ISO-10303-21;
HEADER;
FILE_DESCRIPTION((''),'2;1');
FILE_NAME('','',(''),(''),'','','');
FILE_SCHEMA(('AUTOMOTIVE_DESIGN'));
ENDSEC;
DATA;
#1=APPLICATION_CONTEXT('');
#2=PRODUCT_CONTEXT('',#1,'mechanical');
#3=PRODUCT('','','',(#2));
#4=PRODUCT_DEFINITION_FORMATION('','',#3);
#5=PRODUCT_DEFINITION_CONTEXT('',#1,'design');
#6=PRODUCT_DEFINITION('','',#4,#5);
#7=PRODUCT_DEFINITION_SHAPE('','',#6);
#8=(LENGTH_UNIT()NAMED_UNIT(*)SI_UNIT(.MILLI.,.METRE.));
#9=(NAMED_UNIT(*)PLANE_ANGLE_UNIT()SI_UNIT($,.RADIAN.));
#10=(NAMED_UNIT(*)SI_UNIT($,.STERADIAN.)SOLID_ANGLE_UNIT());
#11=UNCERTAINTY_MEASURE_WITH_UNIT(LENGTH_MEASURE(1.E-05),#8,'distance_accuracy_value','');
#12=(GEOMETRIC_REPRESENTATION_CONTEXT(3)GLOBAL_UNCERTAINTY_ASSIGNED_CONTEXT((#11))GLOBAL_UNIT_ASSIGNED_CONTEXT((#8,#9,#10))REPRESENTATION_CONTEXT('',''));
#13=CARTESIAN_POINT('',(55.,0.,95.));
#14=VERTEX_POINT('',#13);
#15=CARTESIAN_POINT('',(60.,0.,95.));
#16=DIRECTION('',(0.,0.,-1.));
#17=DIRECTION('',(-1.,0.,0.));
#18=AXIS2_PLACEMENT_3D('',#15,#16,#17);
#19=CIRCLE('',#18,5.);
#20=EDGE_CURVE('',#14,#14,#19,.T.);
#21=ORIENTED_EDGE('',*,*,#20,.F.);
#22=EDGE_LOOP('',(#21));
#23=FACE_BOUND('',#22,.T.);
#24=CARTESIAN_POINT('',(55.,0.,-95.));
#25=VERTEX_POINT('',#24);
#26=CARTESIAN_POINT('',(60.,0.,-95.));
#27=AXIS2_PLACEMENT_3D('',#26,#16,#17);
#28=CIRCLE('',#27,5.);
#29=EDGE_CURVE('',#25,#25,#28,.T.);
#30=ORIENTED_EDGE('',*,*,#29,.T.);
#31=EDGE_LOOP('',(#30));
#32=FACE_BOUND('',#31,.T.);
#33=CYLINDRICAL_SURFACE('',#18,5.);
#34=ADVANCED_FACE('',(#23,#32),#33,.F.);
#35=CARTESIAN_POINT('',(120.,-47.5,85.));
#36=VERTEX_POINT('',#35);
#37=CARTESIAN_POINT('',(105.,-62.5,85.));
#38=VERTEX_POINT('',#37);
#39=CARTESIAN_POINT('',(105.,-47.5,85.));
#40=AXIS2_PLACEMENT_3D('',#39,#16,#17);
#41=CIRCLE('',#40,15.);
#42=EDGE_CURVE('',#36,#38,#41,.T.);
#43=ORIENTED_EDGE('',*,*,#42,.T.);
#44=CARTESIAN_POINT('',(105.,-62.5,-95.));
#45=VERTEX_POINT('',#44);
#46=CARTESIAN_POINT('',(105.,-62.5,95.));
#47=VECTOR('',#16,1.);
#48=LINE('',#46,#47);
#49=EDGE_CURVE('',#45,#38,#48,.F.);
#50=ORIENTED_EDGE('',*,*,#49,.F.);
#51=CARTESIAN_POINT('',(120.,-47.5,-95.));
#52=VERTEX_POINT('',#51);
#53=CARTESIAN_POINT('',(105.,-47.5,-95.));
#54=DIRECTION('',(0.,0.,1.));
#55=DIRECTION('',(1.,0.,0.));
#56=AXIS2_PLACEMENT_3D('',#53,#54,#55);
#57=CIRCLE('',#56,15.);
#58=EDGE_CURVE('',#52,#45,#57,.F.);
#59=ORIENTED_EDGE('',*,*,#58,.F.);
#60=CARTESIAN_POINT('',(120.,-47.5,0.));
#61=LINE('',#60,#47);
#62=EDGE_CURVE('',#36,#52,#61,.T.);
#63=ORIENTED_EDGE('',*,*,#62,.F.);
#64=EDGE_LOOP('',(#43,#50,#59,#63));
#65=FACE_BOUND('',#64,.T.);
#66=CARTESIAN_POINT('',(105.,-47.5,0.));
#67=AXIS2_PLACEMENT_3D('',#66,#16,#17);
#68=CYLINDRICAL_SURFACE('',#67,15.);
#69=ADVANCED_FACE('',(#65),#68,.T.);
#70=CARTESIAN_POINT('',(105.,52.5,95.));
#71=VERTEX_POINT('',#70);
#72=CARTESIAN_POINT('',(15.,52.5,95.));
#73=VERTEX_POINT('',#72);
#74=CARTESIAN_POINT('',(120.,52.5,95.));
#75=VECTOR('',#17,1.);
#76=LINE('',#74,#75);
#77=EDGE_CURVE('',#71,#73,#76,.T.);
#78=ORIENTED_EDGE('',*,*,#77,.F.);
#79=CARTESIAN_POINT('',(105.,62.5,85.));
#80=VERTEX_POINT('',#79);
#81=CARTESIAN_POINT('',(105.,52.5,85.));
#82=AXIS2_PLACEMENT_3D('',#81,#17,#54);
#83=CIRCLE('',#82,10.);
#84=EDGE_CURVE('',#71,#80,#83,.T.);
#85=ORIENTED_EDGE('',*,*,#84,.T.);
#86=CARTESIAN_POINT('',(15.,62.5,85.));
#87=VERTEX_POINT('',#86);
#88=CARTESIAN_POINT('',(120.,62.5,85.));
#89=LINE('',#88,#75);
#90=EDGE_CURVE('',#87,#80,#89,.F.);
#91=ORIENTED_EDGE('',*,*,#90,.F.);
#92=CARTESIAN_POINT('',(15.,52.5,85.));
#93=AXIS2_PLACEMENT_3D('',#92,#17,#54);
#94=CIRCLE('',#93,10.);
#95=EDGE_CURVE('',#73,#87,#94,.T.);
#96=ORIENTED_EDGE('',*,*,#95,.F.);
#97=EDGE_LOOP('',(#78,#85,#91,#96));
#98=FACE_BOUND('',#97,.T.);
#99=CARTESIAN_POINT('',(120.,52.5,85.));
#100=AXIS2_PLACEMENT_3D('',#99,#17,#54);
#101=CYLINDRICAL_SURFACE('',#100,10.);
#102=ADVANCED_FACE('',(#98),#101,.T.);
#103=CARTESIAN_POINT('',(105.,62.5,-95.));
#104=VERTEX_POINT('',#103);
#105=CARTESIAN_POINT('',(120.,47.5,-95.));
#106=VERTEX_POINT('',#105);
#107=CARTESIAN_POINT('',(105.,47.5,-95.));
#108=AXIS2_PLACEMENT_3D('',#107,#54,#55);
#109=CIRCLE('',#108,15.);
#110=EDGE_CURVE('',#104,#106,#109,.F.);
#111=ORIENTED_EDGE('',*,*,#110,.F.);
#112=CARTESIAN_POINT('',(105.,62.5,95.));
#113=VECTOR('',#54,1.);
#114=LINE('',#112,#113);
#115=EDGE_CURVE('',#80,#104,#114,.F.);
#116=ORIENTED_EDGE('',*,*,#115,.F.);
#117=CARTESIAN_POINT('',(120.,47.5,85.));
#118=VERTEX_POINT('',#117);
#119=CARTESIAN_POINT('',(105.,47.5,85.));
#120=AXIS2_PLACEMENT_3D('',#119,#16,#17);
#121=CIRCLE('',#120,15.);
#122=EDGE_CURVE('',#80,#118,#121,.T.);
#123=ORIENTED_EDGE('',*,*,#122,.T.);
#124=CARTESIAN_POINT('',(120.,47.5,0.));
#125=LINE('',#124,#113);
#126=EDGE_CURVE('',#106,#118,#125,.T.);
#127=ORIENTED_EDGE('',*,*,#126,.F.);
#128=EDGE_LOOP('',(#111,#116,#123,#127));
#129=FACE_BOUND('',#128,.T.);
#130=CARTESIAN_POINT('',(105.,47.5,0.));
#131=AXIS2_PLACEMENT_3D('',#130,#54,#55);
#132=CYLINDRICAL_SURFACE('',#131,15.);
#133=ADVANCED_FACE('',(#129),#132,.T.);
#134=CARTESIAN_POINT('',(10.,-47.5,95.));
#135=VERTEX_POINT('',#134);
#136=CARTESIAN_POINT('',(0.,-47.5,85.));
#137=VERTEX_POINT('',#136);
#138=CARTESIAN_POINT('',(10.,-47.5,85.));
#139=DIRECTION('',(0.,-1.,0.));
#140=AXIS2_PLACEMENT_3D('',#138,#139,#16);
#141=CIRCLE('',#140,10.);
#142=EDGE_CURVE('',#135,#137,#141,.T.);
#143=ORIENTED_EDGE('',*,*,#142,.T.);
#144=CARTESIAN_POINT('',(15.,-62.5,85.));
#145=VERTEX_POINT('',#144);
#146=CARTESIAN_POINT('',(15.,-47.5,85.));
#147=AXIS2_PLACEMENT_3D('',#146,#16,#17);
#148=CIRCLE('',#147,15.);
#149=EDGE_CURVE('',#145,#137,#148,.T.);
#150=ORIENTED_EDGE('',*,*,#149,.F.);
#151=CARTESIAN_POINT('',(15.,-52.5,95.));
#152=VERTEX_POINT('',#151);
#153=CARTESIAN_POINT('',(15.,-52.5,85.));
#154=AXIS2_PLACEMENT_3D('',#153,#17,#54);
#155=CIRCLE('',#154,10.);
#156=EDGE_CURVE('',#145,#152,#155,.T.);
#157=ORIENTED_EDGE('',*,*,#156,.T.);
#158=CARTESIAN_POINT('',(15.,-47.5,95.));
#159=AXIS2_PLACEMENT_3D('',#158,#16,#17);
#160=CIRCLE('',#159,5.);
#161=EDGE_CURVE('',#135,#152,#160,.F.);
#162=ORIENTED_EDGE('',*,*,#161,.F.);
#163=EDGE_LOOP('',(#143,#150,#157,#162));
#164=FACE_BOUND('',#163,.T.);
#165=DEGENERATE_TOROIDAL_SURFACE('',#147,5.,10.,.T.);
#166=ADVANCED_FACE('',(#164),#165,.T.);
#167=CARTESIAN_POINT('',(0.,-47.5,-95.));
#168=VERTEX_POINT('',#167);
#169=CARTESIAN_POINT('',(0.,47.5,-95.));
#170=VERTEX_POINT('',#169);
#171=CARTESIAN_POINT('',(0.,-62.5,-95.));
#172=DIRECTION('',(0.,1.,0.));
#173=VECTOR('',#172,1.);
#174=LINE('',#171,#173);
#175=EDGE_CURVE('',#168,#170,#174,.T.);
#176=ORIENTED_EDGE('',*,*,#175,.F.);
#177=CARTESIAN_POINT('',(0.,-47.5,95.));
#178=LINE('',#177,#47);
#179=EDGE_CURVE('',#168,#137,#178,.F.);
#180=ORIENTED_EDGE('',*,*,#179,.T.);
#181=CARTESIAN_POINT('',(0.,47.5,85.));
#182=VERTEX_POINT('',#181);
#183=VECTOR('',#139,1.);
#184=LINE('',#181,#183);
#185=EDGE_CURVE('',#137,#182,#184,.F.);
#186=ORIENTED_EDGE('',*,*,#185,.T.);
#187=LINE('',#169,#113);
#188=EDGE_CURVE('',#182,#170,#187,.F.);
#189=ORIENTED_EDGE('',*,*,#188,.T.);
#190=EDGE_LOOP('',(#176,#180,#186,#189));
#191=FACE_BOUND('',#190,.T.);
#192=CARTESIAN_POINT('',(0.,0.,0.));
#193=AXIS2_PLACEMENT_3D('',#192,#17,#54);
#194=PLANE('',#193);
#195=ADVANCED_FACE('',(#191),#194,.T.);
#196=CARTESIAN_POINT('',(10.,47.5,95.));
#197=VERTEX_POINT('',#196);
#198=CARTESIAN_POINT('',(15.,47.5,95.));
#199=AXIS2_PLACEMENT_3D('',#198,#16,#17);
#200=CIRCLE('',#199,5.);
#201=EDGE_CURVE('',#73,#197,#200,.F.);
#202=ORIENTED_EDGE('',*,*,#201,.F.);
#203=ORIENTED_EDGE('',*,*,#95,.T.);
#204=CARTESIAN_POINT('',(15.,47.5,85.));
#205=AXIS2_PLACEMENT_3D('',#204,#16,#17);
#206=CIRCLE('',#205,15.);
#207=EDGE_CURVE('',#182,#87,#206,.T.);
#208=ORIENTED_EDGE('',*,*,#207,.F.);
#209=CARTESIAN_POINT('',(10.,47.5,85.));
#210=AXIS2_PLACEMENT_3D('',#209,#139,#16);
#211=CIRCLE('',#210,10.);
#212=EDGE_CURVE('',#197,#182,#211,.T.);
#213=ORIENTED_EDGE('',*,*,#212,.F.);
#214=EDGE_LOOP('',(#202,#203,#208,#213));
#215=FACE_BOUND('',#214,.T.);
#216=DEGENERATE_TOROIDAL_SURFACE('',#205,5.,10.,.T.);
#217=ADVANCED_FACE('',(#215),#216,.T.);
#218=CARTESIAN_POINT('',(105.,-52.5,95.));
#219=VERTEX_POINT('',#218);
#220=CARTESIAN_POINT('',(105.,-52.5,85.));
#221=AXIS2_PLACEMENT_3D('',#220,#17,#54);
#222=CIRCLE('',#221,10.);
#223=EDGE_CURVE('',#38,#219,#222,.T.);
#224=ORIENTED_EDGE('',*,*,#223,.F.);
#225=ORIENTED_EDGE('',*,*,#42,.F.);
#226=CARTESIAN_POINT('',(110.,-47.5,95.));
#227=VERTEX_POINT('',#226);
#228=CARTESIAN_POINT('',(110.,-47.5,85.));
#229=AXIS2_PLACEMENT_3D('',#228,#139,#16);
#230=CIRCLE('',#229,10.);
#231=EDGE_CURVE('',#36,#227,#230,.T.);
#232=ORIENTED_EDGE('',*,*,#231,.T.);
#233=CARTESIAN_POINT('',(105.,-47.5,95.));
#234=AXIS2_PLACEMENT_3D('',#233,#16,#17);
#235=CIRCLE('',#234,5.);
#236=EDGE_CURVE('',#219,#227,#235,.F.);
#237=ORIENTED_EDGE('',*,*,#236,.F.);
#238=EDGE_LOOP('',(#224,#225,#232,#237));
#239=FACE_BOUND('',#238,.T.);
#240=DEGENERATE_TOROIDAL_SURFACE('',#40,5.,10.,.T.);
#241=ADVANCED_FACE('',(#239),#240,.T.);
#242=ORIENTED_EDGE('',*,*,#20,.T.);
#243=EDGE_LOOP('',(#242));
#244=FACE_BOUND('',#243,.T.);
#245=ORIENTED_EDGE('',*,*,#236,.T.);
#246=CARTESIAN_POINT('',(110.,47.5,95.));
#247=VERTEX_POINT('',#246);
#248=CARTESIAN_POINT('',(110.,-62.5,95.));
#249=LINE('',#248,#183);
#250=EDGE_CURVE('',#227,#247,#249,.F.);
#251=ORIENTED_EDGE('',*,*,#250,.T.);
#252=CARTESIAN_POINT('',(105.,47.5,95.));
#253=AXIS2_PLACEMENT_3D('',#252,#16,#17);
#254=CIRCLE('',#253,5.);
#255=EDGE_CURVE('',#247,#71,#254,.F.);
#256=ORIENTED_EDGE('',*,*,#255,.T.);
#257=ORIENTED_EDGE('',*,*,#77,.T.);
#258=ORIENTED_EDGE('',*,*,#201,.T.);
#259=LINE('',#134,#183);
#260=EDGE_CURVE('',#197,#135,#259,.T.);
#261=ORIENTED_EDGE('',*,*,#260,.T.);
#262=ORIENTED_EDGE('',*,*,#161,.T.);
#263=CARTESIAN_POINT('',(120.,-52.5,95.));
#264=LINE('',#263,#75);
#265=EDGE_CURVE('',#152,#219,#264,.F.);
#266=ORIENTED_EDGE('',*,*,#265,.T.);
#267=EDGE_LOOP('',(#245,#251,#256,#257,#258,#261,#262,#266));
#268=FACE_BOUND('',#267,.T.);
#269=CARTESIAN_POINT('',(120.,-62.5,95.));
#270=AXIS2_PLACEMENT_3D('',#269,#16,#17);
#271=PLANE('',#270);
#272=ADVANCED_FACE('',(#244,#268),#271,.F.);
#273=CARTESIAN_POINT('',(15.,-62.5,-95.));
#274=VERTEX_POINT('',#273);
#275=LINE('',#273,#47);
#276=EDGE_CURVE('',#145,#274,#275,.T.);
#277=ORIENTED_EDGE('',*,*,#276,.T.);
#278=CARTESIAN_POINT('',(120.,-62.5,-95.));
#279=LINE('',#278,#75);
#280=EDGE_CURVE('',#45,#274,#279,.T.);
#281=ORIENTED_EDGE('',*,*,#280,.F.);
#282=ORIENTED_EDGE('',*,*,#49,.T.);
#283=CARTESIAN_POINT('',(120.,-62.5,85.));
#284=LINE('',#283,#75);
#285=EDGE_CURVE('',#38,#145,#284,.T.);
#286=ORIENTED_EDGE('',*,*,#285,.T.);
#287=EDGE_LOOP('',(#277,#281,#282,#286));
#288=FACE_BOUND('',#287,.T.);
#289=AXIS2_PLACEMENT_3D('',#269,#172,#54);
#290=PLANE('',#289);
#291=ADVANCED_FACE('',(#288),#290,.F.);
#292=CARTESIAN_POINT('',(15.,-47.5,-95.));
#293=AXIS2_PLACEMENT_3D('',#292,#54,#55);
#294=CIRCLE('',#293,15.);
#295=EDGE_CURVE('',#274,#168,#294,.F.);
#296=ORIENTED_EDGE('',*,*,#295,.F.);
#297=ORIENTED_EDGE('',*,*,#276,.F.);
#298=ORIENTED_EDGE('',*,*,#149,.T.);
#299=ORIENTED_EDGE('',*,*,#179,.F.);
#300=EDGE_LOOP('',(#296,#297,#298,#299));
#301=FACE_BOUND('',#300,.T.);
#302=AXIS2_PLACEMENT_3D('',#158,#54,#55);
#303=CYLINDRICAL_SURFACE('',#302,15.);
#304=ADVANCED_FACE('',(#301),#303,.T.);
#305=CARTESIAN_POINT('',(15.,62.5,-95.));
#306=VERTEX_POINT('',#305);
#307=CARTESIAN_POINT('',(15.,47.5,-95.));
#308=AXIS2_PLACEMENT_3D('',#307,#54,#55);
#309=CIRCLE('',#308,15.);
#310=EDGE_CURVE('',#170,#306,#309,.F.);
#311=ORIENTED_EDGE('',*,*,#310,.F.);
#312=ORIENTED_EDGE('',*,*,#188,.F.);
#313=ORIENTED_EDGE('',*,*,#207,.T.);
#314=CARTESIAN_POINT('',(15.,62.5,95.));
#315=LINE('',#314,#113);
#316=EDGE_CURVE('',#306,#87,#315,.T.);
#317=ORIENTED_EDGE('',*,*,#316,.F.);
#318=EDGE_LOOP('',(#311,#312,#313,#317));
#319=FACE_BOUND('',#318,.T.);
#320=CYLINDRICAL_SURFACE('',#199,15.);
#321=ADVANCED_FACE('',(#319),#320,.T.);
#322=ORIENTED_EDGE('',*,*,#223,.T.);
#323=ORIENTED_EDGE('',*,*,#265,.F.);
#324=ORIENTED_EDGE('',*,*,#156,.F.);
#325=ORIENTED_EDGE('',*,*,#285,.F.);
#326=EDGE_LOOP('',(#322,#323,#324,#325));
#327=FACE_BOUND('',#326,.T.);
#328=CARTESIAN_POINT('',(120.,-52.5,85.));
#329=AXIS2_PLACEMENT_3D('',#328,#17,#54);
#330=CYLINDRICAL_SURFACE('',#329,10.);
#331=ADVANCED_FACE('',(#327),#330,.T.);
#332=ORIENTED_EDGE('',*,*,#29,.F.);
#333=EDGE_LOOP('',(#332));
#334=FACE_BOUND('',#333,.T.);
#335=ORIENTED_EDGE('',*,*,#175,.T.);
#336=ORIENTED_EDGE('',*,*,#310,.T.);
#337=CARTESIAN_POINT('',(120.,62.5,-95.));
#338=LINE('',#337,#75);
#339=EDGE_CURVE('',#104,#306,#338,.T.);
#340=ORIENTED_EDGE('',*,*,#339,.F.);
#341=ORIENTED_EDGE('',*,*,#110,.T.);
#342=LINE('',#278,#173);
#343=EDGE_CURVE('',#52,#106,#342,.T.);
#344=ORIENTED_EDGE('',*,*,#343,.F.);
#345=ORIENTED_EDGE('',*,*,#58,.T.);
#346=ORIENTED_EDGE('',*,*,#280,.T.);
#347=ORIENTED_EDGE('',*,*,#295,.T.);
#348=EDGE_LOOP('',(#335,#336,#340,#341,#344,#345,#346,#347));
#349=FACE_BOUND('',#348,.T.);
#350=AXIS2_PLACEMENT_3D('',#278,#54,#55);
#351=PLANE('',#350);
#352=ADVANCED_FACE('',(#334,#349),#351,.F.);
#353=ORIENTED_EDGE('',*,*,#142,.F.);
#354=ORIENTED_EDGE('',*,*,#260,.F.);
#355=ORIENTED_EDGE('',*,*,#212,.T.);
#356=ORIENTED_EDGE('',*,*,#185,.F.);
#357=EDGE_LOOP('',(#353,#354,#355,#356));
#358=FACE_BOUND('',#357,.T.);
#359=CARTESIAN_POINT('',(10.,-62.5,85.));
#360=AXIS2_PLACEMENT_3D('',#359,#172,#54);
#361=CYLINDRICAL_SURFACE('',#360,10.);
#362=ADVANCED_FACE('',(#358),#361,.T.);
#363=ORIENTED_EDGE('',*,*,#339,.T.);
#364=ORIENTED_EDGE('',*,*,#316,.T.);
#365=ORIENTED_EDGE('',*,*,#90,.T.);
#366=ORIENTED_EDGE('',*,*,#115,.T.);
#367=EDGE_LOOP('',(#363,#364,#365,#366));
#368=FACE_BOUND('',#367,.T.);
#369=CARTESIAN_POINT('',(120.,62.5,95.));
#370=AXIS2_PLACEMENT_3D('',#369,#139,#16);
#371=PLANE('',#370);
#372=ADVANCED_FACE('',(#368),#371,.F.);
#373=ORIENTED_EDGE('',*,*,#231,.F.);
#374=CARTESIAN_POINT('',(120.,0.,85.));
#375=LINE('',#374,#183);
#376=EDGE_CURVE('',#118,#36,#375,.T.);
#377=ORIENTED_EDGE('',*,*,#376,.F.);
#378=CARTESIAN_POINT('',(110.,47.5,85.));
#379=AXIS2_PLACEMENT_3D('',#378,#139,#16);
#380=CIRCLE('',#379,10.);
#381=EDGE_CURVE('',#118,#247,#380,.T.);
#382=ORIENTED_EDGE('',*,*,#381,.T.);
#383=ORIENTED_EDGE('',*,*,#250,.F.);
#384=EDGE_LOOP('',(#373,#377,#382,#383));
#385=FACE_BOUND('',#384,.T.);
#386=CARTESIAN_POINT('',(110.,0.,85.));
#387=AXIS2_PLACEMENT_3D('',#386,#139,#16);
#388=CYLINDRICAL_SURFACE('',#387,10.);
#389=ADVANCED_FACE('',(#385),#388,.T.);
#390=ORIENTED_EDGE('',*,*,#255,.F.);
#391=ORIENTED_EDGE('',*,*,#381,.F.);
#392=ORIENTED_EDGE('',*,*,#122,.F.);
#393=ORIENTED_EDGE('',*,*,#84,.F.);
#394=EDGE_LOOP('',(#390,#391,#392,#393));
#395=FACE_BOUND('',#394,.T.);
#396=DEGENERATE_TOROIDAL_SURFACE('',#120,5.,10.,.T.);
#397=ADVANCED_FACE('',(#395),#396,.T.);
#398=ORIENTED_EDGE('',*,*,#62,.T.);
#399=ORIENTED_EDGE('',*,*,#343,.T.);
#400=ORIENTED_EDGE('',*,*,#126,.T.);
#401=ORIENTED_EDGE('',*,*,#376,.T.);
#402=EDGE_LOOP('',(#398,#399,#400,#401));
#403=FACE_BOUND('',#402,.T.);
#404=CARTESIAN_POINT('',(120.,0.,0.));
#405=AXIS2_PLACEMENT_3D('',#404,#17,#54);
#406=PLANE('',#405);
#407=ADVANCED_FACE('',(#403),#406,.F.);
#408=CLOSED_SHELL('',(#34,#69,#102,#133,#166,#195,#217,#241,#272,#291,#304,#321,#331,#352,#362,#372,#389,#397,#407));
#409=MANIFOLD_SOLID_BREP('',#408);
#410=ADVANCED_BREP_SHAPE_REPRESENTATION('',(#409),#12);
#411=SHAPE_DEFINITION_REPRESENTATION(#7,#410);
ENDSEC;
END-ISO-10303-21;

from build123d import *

# Parameters (mm, degrees)
SCHIZZO2_W                   = 190
SCHIZZO2_H                   = 125
ESTRUSIONE_ESTRUSIONE1_DEPTH = 120
RACCORDO1_R                  = 15
RACCORDO2_R                  = 10
SCHIZZO3_R                   = 5
TAGLIO_ESTRUSIONE1_DEPTH     = 191


with BuildPart() as part:
    # Schizzo2 → Estrusione-Estrusione1 (new body)
    with BuildSketch(Plane(origin=(0, 0, 0), x_dir=(0, 0, -1), z_dir=(1, 0, 0))):
        Rectangle(SCHIZZO2_W, SCHIZZO2_H)
    extrude(amount=ESTRUSIONE_ESTRUSIONE1_DEPTH)

    # Raccordo1
    raccordo1_edges = [part.edges().sort_by_distance(p)[0] for p in [
        (120, -62.5, 0),
        (0, -62.5, 0),
        (0, 62.5, 0),
        (120, 62.5, 0),
    ]]
    fillet(raccordo1_edges, radius=RACCORDO1_R)

    # Raccordo2
    raccordo2_edges = [part.edges().sort_by_distance(p)[0] for p in [
        (120, 0, 95),
        (0, 0, 95),
        (60, -62.5, 95),
        (60, 62.5, 95),
        (4.393398282, -58.106601718, 95),
        (4.393398282, 58.106601718, 95),
        (115.606601718, -58.106601718, 95),
        (115.606601718, 58.106601718, 95),
    ]]
    fillet(raccordo2_edges, radius=RACCORDO2_R)

    # Schizzo3 → Taglio-Estrusione1 (cut, through all)
    with BuildSketch(Plane(origin=(0, 0, -95), x_dir=(-1, 0, 0), z_dir=(0, 0, -1))):
        with Locations((-60, 0)):
            Circle(SCHIZZO3_R)
    extrude(amount=-TAGLIO_ESTRUSIONE1_DEPTH, mode=Mode.SUBTRACT)


solid = part.part
